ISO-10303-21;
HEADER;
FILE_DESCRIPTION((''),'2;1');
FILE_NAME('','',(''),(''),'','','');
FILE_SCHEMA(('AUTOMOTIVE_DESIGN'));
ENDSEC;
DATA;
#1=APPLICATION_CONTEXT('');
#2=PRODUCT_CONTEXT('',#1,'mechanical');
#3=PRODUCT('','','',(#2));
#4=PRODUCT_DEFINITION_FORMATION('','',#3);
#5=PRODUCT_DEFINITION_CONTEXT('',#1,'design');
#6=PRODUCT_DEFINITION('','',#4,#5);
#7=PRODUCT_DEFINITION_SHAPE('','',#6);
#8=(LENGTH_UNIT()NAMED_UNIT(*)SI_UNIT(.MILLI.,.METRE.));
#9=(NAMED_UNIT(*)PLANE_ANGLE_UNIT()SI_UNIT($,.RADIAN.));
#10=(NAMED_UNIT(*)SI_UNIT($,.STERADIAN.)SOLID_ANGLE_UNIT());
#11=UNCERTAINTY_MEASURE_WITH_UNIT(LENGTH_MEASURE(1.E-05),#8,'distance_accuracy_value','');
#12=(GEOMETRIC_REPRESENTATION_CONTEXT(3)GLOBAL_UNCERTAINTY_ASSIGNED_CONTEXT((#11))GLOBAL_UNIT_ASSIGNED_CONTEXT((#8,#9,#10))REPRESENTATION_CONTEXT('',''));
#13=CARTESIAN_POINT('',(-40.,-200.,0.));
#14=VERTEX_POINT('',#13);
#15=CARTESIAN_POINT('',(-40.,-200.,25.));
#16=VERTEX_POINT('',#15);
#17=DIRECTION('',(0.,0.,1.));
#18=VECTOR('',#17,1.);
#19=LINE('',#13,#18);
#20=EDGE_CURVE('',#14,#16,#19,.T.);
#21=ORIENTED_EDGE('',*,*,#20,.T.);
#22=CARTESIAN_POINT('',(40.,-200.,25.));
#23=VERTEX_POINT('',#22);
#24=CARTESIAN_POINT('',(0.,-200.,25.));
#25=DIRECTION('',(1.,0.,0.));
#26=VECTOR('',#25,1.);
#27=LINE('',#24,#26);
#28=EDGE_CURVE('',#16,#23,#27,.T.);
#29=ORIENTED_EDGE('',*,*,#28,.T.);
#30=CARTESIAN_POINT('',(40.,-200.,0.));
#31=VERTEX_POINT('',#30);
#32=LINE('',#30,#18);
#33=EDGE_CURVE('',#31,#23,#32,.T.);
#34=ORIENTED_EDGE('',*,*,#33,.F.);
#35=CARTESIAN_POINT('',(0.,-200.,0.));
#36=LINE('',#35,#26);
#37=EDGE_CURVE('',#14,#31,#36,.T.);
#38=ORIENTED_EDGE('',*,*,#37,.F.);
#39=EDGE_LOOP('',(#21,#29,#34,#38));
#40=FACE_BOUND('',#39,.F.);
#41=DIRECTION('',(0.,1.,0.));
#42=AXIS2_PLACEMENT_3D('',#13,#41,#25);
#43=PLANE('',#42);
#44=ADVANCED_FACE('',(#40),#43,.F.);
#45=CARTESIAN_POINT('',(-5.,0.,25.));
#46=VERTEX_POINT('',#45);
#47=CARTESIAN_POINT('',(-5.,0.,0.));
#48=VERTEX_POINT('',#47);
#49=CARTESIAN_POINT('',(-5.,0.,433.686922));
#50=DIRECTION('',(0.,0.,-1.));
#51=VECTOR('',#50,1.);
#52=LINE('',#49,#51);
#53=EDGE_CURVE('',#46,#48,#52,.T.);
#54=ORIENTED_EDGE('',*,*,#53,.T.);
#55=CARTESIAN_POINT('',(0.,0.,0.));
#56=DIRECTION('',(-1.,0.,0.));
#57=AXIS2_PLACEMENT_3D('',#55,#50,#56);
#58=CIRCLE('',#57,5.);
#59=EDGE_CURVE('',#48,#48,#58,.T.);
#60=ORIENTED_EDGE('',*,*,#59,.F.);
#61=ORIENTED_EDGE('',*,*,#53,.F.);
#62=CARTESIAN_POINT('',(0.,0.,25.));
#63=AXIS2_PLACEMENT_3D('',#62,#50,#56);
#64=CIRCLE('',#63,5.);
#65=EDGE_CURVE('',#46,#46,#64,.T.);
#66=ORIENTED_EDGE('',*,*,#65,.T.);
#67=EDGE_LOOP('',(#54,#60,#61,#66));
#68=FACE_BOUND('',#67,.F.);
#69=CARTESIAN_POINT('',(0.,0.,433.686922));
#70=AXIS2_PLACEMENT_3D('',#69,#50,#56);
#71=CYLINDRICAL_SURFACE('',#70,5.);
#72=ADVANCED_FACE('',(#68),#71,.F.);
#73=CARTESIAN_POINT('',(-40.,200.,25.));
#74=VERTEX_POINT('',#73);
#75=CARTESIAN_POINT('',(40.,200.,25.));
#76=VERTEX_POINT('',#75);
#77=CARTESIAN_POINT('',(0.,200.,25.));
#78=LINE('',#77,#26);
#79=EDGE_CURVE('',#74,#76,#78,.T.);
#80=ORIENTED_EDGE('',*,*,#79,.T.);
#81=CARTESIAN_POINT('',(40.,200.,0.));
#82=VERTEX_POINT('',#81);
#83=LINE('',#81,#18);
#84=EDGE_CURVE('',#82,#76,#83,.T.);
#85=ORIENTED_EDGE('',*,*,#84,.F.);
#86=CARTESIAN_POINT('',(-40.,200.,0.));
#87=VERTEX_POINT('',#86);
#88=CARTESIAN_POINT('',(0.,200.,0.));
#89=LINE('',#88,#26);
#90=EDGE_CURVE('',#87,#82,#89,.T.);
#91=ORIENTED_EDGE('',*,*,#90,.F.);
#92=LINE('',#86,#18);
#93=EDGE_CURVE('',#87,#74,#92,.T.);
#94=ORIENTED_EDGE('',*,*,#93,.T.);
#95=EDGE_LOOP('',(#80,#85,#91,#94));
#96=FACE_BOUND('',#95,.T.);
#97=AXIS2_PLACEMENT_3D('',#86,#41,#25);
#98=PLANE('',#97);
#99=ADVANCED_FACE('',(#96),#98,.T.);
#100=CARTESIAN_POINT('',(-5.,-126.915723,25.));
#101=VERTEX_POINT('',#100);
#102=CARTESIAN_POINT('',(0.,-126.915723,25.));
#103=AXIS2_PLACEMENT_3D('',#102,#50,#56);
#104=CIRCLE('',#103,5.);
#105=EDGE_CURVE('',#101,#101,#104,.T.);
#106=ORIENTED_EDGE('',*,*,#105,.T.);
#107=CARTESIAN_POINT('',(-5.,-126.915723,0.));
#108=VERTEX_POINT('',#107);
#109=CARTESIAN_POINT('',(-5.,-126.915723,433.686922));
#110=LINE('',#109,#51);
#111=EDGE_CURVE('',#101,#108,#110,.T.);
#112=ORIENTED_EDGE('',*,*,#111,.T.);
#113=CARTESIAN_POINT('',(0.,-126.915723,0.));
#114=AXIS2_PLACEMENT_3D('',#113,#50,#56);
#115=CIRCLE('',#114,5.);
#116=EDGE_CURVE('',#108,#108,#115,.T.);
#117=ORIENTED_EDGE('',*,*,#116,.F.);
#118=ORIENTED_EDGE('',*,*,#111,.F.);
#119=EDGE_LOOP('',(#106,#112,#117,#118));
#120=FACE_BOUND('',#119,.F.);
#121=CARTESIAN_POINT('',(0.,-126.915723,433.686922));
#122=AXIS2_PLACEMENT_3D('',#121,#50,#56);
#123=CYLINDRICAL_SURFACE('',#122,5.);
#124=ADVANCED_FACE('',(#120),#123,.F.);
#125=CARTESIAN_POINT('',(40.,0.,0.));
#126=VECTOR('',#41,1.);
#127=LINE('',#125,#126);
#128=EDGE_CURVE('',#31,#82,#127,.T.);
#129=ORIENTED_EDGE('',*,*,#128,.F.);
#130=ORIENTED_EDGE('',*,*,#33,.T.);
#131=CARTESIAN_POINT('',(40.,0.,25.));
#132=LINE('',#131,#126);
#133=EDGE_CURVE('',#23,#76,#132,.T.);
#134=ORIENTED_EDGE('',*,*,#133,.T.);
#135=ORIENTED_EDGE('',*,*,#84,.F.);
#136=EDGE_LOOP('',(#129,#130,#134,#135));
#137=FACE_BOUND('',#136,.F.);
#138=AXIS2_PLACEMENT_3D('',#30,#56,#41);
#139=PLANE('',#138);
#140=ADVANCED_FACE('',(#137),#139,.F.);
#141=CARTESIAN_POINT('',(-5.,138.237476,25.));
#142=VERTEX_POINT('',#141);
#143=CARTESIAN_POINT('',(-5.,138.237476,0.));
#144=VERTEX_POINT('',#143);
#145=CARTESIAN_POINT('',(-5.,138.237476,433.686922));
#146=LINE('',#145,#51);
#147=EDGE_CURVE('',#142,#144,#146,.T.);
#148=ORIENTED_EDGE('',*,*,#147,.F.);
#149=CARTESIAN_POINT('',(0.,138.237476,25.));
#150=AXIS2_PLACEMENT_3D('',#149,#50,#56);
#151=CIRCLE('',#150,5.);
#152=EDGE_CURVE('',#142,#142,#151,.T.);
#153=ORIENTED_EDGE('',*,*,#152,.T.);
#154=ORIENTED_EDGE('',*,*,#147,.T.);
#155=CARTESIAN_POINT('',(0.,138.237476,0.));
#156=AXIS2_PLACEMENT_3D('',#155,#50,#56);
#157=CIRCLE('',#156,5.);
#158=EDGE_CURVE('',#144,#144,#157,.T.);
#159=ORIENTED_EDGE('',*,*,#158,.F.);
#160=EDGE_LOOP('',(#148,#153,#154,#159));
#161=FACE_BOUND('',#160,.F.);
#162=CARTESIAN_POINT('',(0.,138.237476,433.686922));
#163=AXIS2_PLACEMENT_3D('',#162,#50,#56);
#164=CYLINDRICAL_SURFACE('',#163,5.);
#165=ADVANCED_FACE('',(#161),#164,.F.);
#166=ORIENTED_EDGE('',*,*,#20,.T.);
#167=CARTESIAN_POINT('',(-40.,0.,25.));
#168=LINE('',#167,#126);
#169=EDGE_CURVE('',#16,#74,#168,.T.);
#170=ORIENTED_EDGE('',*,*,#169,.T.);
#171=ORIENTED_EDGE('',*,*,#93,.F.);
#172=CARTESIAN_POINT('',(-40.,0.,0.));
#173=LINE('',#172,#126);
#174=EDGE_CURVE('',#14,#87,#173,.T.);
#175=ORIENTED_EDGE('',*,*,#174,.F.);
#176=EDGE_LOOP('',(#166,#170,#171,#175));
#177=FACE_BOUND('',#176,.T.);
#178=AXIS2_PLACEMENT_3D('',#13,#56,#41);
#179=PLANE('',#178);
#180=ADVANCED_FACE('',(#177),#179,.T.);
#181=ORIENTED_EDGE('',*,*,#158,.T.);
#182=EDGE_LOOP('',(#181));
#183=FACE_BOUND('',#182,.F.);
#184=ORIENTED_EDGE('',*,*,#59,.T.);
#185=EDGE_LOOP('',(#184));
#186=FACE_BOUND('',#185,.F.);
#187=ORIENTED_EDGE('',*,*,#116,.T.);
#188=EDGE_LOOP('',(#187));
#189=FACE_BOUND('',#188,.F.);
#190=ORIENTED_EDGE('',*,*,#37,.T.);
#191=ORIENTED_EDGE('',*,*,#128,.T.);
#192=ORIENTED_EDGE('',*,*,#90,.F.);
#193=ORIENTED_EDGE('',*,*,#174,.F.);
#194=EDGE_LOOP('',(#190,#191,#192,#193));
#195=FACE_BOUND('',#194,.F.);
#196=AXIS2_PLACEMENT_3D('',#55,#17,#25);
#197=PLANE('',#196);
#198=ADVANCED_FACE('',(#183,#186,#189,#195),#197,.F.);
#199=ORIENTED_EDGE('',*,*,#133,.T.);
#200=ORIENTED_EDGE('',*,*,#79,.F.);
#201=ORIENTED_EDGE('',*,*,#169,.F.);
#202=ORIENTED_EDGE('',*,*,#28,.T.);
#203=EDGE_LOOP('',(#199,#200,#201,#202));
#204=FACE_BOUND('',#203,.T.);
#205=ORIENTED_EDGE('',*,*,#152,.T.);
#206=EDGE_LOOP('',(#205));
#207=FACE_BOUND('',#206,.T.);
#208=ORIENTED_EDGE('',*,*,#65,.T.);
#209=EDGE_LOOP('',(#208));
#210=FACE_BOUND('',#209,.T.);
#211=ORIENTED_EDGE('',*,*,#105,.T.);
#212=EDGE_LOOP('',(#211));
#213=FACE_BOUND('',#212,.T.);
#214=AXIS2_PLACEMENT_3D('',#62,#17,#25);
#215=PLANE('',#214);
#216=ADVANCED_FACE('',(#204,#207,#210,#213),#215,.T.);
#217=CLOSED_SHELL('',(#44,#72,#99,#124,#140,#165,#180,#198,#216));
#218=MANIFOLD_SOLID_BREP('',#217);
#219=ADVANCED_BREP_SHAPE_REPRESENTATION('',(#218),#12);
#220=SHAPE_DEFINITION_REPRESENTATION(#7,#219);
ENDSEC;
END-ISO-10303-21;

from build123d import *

# Parameters (mm, degrees)
F0_W     = 80
F0_H     = 400
F1_DEPTH = 25
F3_D     = 10


with BuildPart() as f1:
    # F0 (on Top) → F1 (new body)
    with BuildSketch(Plane.XY):
        Rectangle(F0_W, F0_H)
    extrude(amount=F1_DEPTH)

    # F3 (through all)
    with Locations(Plane.XY.offset(25)):
        with Locations((0, 138.237476), (0, 0), (0, -126.915723)):
            Hole(F3_D / 2)


solid = f1.part
